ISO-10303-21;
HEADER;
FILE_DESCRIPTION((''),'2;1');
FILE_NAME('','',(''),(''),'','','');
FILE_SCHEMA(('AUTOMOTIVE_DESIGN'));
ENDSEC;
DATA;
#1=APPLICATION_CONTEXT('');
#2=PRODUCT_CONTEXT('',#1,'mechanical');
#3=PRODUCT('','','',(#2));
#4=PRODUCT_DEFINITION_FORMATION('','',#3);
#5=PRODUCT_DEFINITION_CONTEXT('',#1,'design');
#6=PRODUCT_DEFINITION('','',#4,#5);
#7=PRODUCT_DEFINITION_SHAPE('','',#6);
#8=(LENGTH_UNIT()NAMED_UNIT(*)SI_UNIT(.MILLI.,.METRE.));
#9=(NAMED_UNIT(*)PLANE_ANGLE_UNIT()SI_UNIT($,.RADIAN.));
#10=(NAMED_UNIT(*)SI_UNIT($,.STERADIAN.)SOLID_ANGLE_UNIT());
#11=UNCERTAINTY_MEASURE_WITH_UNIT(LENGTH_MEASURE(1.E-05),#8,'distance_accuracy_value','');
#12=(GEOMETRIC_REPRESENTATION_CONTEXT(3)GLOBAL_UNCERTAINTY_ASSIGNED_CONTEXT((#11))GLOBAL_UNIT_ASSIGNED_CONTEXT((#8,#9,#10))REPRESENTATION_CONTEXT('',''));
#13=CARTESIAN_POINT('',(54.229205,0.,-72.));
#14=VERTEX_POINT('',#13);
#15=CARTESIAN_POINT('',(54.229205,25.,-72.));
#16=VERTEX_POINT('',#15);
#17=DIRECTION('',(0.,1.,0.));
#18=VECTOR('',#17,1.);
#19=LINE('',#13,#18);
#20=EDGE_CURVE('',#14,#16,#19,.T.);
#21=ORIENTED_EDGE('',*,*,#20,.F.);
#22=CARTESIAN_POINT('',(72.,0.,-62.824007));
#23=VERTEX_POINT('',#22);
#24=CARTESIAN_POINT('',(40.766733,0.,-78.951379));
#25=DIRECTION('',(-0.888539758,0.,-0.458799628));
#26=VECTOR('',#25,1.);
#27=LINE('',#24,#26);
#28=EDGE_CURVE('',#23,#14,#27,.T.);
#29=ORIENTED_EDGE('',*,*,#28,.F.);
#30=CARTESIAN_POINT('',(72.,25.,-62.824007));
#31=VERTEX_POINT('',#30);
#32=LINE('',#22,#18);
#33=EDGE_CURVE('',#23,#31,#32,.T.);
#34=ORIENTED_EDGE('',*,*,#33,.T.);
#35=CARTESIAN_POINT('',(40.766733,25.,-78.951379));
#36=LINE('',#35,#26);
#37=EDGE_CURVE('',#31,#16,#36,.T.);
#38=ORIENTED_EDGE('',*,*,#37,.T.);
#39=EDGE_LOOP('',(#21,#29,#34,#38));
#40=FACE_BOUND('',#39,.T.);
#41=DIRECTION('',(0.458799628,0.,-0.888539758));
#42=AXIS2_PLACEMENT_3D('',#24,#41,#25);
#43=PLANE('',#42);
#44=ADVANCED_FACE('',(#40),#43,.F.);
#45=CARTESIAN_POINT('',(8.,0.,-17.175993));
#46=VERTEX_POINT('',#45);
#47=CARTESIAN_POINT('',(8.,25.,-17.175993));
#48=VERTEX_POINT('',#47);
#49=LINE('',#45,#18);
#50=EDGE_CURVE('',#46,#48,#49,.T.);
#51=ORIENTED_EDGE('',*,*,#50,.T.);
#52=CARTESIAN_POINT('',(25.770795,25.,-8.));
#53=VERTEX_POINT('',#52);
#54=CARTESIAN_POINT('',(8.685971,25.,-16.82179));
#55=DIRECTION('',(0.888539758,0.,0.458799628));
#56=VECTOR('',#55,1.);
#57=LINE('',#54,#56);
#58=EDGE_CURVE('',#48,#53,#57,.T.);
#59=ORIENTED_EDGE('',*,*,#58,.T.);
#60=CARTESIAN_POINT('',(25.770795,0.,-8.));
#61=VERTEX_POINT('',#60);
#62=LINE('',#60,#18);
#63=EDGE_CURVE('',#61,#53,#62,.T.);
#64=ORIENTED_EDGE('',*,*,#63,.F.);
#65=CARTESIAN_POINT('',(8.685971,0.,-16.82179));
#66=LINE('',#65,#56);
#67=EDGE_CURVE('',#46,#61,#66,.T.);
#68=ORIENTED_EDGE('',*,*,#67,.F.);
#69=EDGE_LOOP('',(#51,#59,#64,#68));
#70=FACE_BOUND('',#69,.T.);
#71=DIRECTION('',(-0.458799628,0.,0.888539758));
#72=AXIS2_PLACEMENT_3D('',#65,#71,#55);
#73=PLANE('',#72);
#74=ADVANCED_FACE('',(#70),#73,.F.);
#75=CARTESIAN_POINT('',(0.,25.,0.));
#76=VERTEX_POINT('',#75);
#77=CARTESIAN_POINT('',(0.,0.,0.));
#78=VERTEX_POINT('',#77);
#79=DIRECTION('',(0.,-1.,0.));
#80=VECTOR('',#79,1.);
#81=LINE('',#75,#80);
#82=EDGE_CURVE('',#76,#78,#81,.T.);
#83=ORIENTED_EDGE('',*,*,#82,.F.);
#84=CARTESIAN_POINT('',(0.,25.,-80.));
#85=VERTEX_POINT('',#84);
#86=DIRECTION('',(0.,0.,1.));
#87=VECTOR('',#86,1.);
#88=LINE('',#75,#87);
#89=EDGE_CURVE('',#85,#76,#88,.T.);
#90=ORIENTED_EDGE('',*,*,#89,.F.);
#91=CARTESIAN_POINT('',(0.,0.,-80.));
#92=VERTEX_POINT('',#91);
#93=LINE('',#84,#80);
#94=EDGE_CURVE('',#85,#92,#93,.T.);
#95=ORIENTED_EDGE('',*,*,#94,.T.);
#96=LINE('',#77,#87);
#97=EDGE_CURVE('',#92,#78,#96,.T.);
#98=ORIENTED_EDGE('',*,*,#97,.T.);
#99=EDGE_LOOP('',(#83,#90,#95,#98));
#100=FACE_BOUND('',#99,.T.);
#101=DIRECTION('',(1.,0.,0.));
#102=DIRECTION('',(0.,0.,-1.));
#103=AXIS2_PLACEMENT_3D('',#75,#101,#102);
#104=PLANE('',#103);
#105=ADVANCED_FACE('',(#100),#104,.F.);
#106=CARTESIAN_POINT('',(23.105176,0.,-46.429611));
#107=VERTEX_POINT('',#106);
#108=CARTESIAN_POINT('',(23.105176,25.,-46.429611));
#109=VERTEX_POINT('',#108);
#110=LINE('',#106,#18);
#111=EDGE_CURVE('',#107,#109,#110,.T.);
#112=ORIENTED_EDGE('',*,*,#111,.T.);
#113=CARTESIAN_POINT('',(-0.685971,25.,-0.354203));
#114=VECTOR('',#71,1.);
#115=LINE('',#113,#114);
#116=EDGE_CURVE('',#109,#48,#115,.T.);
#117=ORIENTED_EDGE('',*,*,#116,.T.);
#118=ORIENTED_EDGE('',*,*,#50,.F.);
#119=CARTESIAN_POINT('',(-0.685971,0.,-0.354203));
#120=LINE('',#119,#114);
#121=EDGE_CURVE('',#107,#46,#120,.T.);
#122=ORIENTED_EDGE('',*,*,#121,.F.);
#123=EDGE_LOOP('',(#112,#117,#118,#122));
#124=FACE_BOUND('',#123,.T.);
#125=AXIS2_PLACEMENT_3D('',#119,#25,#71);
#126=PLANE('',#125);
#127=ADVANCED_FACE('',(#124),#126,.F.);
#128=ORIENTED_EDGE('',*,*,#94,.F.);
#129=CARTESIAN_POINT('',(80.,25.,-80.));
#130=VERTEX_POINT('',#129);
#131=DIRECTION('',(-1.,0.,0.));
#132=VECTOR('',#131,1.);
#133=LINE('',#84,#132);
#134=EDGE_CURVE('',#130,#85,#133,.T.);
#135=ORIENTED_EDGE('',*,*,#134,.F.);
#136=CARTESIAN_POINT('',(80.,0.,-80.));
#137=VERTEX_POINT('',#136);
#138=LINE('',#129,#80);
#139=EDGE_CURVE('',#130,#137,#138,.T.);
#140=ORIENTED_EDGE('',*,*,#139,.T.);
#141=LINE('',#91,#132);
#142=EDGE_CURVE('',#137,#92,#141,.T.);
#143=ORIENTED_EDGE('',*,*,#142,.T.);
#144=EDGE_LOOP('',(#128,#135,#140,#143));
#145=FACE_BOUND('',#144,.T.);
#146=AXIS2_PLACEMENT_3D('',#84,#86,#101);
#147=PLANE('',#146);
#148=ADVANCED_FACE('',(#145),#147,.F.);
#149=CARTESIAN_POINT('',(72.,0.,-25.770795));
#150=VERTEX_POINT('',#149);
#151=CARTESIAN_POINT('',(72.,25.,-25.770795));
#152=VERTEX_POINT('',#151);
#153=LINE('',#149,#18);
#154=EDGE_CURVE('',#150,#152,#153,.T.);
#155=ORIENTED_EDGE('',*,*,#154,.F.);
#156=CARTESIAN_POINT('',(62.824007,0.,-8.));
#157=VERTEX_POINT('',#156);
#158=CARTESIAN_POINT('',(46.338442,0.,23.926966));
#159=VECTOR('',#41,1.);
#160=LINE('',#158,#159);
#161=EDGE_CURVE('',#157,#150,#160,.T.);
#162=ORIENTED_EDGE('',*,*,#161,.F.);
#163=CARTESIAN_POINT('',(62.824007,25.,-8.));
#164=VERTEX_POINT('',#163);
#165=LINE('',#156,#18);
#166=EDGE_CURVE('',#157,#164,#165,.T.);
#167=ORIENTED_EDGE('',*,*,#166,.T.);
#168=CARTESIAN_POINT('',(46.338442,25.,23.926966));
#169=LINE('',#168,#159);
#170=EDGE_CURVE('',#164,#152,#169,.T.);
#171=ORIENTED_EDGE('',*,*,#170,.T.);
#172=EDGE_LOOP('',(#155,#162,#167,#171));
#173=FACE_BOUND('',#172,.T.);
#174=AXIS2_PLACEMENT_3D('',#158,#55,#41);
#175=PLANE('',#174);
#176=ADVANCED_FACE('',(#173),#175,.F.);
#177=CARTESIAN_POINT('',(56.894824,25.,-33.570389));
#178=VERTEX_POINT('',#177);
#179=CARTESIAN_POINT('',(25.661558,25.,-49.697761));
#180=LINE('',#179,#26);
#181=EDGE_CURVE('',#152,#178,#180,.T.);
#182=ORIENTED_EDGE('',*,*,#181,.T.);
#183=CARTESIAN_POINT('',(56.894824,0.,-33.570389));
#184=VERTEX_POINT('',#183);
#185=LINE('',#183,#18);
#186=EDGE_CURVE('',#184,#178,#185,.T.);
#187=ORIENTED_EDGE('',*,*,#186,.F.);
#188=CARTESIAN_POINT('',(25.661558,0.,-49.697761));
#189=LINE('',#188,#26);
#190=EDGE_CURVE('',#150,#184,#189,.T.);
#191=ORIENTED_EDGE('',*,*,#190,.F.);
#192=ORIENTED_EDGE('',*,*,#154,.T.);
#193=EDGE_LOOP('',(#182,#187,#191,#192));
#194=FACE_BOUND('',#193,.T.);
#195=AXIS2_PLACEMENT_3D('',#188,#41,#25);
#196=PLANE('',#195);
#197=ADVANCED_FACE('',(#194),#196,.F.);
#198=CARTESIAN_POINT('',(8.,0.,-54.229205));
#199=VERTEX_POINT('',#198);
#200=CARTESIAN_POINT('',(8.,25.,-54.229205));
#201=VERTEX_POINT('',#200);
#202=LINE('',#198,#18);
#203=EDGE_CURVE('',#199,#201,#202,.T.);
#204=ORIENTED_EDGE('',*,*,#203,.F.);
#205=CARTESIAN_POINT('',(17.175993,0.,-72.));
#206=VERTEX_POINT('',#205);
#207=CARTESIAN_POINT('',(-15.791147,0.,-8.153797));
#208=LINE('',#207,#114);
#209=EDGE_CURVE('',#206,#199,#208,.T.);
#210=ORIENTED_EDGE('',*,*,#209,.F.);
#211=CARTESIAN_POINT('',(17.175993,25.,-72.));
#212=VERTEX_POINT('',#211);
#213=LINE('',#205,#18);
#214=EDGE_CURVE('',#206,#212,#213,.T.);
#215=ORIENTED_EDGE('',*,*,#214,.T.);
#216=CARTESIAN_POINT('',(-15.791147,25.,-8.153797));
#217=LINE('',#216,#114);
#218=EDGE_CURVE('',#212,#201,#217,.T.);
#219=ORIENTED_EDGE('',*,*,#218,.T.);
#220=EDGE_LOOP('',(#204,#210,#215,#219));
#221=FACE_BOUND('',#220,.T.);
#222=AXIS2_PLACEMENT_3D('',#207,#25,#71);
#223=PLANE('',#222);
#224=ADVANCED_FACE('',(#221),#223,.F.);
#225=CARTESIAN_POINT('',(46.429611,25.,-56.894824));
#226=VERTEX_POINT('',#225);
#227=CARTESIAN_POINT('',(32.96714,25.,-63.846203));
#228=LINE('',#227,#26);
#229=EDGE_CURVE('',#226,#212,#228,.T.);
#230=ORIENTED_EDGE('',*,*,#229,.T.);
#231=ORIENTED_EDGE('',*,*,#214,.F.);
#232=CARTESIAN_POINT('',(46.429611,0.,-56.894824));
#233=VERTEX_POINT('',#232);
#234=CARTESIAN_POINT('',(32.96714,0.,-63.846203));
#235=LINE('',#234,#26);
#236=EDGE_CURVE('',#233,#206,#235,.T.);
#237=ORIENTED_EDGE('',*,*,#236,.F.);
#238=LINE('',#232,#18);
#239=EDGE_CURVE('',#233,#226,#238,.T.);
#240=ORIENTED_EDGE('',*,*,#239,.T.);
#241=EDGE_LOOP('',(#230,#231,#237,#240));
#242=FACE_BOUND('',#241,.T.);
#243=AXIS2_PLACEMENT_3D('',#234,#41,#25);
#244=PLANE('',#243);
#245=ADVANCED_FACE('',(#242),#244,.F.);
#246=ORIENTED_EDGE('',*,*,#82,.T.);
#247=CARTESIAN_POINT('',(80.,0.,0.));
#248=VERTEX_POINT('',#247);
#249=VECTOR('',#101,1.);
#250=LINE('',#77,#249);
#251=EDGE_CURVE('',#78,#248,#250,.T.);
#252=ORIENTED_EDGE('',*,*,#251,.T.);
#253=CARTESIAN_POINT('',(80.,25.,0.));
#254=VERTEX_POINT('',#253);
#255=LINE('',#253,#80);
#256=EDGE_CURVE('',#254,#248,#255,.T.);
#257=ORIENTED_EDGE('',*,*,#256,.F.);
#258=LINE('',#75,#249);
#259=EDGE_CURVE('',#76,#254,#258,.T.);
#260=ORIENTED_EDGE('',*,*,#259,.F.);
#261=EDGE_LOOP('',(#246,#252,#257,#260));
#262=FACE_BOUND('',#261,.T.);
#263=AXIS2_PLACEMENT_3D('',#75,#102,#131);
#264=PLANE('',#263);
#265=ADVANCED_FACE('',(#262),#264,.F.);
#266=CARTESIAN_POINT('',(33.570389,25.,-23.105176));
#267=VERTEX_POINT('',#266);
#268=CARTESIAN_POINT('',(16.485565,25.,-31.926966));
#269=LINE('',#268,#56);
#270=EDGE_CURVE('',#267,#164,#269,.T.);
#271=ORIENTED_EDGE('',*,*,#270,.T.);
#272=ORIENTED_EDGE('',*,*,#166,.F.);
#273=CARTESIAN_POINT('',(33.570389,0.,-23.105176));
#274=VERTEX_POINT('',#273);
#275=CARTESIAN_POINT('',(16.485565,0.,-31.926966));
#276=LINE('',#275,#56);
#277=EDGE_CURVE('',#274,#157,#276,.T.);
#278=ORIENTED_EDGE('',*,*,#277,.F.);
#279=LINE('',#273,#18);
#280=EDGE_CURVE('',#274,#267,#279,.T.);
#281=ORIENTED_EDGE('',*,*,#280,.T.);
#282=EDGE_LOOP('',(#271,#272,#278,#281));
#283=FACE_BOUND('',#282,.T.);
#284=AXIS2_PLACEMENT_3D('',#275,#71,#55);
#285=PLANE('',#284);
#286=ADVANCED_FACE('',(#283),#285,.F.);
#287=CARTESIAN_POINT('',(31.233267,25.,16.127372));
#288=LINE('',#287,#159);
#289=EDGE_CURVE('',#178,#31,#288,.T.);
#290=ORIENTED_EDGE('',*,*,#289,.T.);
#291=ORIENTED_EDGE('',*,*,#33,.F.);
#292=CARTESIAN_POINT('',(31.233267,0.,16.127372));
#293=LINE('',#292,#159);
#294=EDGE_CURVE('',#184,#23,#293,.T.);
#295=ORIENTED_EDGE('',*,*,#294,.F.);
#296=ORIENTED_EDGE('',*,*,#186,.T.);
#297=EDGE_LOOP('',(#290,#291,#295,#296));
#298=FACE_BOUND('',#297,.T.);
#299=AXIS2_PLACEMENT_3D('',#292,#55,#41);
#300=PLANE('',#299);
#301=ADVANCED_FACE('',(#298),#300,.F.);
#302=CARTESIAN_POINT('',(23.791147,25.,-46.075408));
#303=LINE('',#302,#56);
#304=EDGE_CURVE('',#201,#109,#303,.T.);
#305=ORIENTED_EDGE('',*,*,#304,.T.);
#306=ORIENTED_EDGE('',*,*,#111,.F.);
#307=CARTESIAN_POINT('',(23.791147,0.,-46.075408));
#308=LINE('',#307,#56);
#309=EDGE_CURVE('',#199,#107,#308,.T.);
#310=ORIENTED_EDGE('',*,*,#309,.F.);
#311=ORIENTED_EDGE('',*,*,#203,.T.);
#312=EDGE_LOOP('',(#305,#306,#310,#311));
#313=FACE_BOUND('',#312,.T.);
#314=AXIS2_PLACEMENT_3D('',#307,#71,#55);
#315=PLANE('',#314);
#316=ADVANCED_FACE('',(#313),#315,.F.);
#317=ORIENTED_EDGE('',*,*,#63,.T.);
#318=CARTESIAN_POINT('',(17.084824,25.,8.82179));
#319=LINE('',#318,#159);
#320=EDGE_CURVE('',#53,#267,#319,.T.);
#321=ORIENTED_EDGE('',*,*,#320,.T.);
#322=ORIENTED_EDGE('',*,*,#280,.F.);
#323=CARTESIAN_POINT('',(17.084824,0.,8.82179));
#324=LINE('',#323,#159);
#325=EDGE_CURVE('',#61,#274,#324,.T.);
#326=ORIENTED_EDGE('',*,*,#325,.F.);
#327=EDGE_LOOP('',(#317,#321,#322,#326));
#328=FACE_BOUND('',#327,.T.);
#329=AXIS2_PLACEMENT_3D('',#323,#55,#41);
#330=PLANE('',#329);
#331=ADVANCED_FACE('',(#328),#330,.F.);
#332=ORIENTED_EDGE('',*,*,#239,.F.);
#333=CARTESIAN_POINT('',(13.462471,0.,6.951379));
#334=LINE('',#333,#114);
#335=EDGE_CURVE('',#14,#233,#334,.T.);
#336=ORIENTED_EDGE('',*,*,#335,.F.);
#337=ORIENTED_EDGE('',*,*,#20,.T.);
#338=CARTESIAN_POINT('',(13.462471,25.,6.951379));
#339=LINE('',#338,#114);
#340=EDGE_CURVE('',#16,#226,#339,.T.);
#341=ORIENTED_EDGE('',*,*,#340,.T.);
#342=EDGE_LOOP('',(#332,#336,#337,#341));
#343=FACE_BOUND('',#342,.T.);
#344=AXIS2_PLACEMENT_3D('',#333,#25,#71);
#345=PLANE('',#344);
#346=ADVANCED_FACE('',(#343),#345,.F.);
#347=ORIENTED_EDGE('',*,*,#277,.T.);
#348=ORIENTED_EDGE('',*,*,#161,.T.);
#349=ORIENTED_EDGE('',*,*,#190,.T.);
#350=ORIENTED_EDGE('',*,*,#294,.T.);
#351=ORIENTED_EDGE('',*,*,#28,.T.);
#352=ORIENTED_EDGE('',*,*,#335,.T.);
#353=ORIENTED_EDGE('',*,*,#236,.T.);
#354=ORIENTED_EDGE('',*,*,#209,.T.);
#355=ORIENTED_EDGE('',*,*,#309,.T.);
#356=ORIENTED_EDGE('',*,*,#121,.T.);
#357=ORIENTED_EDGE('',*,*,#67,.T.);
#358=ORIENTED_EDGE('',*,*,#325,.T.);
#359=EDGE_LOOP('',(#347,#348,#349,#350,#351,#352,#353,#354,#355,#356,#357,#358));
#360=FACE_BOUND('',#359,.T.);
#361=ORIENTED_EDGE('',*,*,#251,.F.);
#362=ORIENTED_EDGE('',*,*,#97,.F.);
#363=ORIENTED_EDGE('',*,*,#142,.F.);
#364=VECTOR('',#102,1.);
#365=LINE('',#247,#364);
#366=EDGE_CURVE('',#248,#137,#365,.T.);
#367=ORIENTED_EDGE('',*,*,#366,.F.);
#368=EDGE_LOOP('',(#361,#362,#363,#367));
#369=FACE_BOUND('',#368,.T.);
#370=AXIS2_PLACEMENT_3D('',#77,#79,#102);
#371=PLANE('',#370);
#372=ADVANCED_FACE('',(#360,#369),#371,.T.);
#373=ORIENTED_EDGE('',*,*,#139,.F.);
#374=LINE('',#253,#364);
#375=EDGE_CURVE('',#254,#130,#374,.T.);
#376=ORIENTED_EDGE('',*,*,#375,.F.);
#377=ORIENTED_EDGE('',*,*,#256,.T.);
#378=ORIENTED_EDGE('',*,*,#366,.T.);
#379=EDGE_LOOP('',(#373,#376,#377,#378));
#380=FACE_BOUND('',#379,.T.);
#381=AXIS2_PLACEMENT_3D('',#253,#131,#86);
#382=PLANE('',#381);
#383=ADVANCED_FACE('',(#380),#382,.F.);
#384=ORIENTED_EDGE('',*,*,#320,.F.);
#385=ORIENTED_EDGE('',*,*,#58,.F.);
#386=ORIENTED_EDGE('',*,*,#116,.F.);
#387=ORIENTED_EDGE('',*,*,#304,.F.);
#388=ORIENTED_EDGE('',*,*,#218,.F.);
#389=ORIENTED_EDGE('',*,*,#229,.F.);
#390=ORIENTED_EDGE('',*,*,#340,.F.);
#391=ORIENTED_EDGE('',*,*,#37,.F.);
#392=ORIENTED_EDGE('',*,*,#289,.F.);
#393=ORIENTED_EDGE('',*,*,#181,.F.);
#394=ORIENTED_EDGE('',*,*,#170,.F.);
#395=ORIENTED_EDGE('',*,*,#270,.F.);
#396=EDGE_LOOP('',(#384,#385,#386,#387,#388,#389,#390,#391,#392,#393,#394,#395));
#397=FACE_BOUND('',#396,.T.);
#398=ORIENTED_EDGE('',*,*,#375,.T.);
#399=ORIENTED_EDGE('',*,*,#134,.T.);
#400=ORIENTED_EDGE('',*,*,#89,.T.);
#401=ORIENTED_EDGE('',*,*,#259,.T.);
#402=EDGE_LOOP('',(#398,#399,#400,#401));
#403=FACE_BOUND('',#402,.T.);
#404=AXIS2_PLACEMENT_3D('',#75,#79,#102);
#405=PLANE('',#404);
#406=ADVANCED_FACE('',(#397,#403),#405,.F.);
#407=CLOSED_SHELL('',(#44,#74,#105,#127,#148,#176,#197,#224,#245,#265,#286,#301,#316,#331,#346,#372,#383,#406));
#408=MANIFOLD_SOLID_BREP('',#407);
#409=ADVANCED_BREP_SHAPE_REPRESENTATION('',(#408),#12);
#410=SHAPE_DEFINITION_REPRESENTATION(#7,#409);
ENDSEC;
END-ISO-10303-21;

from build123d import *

# Parameters (mm, degrees)
SKETCH1_W           = 80
SKETCH1_H           = 80
BOSS_EXTRUDE1_DEPTH = 25
CUT_EXTRUDE1_DEPTH  = 116.866302263


with BuildPart() as part:
    # Sketch1 → Boss-Extrude1 (new body)
    with BuildSketch(Plane(origin=(0, 0, 0), x_dir=(1, 0, 0), z_dir=(0, 1, 0))):
        with Locations((40, 40)):
            Rectangle(SKETCH1_W, SKETCH1_H)
    extrude(amount=BOSS_EXTRUDE1_DEPTH)

    # Sketch2 → Cut-Extrude1 (cut, through all)
    with BuildSketch(Plane(origin=(0, 25, 0), x_dir=(1, 0, 0), z_dir=(0, 1, 0))):
        Polygon((46.429611169, 56.894824113), (17.175992553, 72), (8, 54.229204839), (23.105175887, 46.429611169), (8, 17.175992553), (25.770795161, 8), (33.570388831, 23.105175887), (62.824007447, 8), (72, 25.770795161), (56.894824113, 33.570388831), (72, 62.824007447), (54.229204839, 72), align=None)
    extrude(amount=-CUT_EXTRUDE1_DEPTH, mode=Mode.SUBTRACT)


solid = part.part
